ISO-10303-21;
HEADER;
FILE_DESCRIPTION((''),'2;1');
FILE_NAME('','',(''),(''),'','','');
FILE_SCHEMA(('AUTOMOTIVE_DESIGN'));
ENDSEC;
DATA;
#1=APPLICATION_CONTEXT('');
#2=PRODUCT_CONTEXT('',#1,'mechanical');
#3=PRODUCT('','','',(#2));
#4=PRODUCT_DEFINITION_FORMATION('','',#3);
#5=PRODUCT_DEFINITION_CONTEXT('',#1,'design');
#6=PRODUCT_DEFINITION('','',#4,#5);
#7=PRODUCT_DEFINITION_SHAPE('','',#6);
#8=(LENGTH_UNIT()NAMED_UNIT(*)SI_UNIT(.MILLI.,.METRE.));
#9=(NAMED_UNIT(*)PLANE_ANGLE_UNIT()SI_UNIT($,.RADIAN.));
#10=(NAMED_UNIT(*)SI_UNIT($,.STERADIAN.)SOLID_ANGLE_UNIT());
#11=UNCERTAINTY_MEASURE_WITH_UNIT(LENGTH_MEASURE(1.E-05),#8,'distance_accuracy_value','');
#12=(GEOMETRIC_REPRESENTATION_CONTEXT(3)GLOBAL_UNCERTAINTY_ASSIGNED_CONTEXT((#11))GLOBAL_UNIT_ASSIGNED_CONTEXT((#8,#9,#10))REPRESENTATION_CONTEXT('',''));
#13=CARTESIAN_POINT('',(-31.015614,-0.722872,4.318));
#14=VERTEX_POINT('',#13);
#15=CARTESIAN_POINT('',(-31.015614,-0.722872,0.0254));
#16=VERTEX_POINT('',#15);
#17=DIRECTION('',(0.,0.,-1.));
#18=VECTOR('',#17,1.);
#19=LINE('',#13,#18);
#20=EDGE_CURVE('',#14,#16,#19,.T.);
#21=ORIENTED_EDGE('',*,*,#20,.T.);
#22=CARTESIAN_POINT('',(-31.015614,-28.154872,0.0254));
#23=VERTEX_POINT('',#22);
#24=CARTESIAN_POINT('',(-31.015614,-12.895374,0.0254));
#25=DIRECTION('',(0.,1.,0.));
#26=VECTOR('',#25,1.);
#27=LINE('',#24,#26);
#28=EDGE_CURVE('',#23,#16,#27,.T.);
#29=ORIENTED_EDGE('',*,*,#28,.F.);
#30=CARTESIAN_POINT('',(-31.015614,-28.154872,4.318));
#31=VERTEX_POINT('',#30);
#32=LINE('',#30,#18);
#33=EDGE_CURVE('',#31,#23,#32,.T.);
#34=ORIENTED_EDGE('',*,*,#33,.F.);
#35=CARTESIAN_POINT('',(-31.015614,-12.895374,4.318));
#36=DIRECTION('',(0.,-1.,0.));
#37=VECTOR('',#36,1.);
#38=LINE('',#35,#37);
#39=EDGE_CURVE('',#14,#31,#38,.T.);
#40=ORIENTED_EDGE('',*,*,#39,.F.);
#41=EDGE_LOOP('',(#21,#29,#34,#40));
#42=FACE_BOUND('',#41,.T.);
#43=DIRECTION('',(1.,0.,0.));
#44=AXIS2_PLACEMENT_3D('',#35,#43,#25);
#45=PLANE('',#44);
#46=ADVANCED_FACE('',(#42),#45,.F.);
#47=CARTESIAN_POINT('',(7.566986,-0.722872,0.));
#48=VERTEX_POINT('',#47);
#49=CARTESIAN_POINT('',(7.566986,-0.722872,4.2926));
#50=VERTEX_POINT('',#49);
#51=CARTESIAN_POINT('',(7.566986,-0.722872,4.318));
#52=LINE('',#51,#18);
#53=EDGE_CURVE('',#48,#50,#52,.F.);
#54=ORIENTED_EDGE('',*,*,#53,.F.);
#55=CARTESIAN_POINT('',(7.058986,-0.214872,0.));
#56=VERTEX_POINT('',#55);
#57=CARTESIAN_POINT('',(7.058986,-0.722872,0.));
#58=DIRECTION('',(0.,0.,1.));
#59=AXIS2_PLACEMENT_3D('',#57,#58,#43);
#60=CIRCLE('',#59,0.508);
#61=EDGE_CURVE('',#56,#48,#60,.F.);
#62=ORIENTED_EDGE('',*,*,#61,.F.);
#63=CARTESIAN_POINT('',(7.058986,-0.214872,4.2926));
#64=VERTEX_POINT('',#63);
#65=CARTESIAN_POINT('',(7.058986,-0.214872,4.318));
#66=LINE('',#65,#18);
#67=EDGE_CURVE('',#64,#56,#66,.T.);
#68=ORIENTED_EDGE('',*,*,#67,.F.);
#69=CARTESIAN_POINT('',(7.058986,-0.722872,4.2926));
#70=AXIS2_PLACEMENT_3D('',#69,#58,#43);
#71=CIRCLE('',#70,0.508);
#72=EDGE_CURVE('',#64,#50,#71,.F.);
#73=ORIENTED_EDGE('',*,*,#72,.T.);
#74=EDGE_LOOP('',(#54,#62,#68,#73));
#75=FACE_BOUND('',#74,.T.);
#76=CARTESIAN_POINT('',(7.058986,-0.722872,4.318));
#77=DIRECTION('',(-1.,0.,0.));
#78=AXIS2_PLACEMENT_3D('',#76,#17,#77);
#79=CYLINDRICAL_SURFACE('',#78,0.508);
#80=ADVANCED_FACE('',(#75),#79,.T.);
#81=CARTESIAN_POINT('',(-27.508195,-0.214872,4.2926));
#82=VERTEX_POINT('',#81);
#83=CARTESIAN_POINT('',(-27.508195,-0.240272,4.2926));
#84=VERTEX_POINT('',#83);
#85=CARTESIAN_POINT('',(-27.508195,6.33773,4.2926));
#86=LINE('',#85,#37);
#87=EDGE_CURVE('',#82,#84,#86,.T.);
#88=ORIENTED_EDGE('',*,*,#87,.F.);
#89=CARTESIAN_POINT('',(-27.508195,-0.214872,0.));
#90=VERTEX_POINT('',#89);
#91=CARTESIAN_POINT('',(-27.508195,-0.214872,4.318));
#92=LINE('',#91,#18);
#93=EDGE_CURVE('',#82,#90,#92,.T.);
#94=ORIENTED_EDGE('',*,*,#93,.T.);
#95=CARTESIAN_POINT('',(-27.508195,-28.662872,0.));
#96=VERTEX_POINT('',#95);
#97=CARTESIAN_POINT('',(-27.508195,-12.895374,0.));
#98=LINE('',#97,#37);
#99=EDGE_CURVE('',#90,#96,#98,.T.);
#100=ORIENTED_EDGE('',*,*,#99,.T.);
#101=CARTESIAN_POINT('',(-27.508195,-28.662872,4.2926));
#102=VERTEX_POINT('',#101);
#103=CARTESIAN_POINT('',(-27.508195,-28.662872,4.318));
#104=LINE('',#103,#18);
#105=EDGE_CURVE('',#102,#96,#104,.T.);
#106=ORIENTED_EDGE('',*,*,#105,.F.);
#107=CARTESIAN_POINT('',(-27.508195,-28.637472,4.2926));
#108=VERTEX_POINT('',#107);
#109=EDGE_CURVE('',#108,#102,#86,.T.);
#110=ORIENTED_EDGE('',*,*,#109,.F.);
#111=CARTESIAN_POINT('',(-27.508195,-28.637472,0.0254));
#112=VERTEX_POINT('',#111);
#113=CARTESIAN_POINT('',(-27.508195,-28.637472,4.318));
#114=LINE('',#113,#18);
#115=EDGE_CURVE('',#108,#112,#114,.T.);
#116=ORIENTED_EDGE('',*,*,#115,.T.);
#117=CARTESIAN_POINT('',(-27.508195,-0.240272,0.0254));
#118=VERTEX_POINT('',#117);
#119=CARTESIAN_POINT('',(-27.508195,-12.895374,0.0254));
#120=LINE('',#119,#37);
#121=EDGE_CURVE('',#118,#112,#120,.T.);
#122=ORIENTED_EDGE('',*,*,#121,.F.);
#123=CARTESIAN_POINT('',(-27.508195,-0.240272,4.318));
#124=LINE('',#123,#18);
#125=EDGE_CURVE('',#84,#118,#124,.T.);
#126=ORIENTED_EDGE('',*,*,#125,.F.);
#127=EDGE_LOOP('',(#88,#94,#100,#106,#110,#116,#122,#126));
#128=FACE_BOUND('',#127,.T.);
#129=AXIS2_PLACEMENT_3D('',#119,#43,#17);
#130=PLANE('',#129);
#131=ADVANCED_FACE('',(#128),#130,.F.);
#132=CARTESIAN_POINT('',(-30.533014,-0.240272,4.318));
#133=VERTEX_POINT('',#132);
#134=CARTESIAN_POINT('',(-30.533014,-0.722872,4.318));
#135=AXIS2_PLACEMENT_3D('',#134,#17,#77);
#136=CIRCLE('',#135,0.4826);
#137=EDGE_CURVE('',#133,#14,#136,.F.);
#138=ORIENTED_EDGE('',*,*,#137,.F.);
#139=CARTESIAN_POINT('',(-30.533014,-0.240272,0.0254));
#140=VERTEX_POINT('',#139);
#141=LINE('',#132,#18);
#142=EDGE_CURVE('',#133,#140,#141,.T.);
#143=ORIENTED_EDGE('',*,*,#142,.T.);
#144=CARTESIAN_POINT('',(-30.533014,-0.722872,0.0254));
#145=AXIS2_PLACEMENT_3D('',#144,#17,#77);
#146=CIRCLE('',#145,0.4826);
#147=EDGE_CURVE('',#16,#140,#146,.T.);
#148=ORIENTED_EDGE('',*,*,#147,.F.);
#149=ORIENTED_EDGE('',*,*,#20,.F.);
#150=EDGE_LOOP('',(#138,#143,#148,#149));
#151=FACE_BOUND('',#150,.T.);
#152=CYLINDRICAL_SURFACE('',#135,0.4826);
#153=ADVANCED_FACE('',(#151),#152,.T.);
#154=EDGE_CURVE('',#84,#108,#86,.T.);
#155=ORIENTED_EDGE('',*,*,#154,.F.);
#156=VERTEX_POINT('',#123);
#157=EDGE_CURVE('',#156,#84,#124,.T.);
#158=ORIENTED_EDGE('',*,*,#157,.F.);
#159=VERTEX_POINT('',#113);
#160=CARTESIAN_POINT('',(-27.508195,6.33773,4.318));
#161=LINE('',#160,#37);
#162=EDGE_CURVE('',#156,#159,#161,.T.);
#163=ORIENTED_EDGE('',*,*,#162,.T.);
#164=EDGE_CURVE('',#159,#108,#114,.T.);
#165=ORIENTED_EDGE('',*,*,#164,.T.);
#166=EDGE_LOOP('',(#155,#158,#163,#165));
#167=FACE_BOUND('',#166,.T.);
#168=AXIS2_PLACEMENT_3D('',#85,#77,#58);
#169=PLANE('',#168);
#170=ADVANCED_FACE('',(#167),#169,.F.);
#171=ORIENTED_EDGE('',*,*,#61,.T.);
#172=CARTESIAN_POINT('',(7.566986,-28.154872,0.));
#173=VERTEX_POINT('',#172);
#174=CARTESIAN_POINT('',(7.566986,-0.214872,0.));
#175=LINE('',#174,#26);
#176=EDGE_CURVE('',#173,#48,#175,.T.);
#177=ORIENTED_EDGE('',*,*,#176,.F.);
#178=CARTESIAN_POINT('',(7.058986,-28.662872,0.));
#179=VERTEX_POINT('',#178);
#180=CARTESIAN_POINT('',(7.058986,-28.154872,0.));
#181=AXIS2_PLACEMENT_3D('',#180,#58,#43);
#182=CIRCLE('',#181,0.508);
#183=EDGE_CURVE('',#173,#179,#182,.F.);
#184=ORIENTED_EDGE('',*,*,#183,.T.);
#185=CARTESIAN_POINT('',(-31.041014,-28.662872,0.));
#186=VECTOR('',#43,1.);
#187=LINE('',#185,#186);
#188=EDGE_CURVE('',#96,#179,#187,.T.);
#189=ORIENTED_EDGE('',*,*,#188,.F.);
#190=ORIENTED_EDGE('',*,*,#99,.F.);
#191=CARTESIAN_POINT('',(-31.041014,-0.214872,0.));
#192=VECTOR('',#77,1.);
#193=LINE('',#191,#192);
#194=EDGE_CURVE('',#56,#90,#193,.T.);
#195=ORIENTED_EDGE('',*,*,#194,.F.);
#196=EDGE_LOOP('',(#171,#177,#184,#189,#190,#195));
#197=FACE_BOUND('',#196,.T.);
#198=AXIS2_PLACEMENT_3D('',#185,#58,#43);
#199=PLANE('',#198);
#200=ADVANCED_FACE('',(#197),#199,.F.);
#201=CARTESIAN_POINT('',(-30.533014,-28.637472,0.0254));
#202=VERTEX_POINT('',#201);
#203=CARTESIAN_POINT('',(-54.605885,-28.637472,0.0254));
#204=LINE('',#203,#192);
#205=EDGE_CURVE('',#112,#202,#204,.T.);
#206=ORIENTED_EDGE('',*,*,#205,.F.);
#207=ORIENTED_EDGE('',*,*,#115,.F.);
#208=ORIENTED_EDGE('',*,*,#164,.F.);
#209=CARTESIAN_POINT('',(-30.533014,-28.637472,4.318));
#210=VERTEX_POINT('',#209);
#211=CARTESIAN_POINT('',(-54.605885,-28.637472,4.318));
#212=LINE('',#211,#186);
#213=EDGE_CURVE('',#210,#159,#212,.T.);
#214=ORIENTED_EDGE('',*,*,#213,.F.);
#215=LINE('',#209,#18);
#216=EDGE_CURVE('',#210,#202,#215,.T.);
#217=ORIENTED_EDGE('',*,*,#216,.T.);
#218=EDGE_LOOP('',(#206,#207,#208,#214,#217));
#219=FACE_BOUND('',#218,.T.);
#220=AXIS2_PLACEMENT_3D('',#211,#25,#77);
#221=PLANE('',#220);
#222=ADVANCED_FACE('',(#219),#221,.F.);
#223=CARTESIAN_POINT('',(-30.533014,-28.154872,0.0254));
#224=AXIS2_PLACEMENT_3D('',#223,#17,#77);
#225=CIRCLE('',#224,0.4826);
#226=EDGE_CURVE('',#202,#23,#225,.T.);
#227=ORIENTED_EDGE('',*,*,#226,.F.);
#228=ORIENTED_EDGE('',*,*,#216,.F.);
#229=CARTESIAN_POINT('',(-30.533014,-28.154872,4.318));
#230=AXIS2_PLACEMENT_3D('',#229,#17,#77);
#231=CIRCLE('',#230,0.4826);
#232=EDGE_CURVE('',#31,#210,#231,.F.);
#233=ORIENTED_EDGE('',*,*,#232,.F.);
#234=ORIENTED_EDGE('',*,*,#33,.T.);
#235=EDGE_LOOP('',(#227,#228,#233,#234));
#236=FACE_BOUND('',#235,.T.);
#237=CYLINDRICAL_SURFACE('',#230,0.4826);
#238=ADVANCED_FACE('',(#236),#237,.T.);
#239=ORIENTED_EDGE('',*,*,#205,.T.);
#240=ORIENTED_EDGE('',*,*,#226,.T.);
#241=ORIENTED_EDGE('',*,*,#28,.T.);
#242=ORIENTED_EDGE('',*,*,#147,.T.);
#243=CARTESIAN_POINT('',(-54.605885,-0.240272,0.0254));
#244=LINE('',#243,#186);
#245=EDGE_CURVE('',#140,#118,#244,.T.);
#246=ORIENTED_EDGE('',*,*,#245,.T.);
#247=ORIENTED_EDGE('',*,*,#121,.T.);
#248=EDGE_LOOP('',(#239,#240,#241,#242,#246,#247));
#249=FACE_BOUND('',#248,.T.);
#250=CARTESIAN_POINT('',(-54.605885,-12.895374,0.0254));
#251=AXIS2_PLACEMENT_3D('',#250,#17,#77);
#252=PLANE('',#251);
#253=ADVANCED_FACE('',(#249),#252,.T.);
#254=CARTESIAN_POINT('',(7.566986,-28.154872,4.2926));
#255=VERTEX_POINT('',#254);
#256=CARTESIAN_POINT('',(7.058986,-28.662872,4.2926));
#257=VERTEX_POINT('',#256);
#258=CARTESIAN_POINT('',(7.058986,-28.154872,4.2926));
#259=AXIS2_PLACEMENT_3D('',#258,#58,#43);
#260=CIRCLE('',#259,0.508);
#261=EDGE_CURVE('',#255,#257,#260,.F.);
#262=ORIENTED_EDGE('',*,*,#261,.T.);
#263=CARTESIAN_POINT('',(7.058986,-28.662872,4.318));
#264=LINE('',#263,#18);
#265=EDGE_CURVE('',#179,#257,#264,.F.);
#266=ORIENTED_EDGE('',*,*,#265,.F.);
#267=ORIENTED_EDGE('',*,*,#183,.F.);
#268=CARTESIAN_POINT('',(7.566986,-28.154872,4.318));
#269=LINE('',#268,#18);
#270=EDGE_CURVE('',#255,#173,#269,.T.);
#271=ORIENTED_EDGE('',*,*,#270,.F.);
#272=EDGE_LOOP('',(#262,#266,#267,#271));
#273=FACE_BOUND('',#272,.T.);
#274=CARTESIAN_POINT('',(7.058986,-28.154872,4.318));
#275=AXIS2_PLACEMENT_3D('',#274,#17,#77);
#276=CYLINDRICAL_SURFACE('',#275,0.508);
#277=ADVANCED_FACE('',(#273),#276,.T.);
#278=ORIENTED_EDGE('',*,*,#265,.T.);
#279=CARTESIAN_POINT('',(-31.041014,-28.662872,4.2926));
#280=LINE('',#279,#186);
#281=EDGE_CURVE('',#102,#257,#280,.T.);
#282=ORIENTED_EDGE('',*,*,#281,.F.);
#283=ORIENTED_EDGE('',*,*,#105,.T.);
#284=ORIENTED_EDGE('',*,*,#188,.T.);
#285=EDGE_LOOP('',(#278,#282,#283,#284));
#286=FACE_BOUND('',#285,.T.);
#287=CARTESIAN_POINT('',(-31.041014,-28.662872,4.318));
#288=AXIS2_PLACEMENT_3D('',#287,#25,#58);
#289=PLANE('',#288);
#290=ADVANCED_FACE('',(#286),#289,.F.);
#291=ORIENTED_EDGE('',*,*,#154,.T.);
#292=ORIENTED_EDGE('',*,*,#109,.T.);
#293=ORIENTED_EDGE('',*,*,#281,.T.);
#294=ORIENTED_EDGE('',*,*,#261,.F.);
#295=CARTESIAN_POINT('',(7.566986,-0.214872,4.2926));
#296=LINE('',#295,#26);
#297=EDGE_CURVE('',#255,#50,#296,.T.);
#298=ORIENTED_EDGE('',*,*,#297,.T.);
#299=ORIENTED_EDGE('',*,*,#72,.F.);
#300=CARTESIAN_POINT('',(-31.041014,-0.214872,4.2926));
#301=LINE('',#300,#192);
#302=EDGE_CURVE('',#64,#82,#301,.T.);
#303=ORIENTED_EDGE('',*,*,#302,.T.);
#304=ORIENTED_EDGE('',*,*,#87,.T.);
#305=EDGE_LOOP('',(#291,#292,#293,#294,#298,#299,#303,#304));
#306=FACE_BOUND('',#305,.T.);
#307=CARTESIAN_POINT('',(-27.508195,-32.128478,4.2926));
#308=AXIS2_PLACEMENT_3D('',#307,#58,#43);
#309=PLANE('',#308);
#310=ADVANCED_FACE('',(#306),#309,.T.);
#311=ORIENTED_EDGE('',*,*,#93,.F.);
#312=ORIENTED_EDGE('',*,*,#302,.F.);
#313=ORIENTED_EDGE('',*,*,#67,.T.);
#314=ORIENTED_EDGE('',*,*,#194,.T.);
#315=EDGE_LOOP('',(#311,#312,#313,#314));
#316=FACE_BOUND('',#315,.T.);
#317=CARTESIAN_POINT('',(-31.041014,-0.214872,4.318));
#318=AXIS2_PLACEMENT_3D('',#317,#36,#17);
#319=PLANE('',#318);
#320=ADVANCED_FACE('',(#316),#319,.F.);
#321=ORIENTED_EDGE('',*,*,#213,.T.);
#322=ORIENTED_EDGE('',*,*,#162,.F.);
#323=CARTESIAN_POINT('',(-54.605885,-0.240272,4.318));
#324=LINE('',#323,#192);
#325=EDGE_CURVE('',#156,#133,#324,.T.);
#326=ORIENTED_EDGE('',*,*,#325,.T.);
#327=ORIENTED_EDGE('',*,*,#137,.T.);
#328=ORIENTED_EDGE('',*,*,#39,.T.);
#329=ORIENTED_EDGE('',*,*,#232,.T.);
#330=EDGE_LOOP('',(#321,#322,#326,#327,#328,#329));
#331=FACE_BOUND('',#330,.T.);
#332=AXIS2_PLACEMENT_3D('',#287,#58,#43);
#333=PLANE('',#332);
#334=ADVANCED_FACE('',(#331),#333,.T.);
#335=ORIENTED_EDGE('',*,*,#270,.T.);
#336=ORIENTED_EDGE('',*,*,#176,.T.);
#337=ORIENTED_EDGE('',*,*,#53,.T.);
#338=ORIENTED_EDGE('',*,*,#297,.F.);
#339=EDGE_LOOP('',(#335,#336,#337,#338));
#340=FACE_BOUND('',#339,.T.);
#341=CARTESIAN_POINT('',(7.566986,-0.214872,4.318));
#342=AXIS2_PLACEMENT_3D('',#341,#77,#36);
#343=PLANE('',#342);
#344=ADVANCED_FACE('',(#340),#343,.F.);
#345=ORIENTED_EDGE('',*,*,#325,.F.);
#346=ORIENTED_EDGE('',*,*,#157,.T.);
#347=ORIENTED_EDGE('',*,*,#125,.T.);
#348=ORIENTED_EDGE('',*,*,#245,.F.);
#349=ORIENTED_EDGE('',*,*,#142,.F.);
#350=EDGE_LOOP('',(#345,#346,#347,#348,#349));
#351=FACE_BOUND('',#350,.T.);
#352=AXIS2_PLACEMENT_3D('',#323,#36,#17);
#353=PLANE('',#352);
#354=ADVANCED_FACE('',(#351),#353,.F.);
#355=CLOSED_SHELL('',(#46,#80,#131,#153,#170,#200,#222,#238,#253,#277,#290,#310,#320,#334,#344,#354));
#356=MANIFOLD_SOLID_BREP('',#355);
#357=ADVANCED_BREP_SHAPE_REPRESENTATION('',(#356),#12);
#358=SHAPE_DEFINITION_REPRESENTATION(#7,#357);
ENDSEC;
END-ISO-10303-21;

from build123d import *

# Parameters (mm, degrees)
SKETCH1_W           = 38.608
SKETCH1_H           = 28.448
BOSS_EXTRUDE1_DEPTH = 4.318
FILLET1_R           = 0.508
CUT_EXTRUDE1_DEPTH  = 0.0254
CUT_EXTRUDE2_DEPTH  = 5.318
SKETCH4_W           = 40.052810536
SKETCH4_H           = 38.466208511
CUT_EXTRUDE3_DEPTH  = 0.0254


with BuildPart() as part:
    # Sketch1 → Boss-Extrude1 (new body)
    with BuildSketch(Plane.XY):
        with Locations((-11.737014375, -14.438872145)):
            Rectangle(SKETCH1_W, SKETCH1_H)
    extrude(amount=BOSS_EXTRUDE1_DEPTH)

    # Fillet1
    fillet1_edges = [part.edges().sort_by_distance(p)[0] for p in [
        (-31.041014375, -0.214872145, 2.159),
        (7.566985625, -0.214872145, 2.159),
        (7.566985625, -28.662872145, 2.159),
        (-31.041014375, -28.662872145, 2.159),
    ]]
    fillet(fillet1_edges, radius=FILLET1_R)

    # Sketch2 → Cut-Extrude1 (cut)
    with BuildSketch(Plane(origin=(0, 0, 0), x_dir=(-1, 0, 0), z_dir=(0, 0, -1))):
        with BuildLine():
            Line((30.533014375, -0.240272145), (27.508194832, -0.240272145))
            Line((27.508194832, -0.240272145), (27.508194832, -28.637472145))
            Line((27.508194832, -28.637472145), (30.533014375, -28.637472145))
            ThreePointArc((30.533014375, -28.637472145), (30.874264108, -28.496121878), (31.015614375, -28.154872145))
            Line((31.015614375, -28.154872145), (31.015614375, -0.722872145))
            ThreePointArc((31.015614375, -0.722872145), (30.874264108, -0.381622412), (30.533014375, -0.240272145))
        make_face()
    extrude(amount=-CUT_EXTRUDE1_DEPTH, mode=Mode.SUBTRACT)

    # Sketch3 → Cut-Extrude2 (cut, through all)
    with BuildSketch(Plane(origin=(0, 0, 0), x_dir=(-1, 0, 0), z_dir=(0, 0, -1))):
        with BuildLine():
            Line((30.533014375, -0.214872145), (27.508194832, -0.214872145))
            Line((27.508194832, -0.214872145), (27.508194832, -0.240272145))
            Line((27.508194832, -0.240272145), (30.533014375, -0.240272145))
            ThreePointArc((30.533014375, -0.240272145), (30.874264108, -0.381622412), (31.015614375, -0.722872145))
            Line((31.015614375, -0.722872145), (31.015614375, -28.154872145))
            ThreePointArc((31.015614375, -28.154872145), (30.874264108, -28.496121878), (30.533014375, -28.637472145))
            Line((30.533014375, -28.637472145), (27.508194832, -28.637472145))
            Line((27.508194832, -28.637472145), (27.508194832, -28.662872145))
            Line((27.508194832, -28.662872145), (30.533014375, -28.662872145))
            ThreePointArc((30.533014375, -28.662872145), (30.89222462, -28.51408239), (31.041014375, -28.154872145))
            Line((31.041014375, -28.154872145), (31.041014375, -0.722872145))
            ThreePointArc((31.041014375, -0.722872145), (30.89222462, -0.3636619), (30.533014375, -0.214872145))
        make_face()
    extrude(amount=-CUT_EXTRUDE2_DEPTH, mode=Mode.SUBTRACT)

    # Sketch4 → Cut-Extrude3 (cut)
    with BuildSketch(Plane.XY.offset(4.318)):
        with Locations((-7.481789564, -12.895374115)):
            Rectangle(SKETCH4_W, SKETCH4_H)
    extrude(amount=-CUT_EXTRUDE3_DEPTH, mode=Mode.SUBTRACT)


solid = part.part
